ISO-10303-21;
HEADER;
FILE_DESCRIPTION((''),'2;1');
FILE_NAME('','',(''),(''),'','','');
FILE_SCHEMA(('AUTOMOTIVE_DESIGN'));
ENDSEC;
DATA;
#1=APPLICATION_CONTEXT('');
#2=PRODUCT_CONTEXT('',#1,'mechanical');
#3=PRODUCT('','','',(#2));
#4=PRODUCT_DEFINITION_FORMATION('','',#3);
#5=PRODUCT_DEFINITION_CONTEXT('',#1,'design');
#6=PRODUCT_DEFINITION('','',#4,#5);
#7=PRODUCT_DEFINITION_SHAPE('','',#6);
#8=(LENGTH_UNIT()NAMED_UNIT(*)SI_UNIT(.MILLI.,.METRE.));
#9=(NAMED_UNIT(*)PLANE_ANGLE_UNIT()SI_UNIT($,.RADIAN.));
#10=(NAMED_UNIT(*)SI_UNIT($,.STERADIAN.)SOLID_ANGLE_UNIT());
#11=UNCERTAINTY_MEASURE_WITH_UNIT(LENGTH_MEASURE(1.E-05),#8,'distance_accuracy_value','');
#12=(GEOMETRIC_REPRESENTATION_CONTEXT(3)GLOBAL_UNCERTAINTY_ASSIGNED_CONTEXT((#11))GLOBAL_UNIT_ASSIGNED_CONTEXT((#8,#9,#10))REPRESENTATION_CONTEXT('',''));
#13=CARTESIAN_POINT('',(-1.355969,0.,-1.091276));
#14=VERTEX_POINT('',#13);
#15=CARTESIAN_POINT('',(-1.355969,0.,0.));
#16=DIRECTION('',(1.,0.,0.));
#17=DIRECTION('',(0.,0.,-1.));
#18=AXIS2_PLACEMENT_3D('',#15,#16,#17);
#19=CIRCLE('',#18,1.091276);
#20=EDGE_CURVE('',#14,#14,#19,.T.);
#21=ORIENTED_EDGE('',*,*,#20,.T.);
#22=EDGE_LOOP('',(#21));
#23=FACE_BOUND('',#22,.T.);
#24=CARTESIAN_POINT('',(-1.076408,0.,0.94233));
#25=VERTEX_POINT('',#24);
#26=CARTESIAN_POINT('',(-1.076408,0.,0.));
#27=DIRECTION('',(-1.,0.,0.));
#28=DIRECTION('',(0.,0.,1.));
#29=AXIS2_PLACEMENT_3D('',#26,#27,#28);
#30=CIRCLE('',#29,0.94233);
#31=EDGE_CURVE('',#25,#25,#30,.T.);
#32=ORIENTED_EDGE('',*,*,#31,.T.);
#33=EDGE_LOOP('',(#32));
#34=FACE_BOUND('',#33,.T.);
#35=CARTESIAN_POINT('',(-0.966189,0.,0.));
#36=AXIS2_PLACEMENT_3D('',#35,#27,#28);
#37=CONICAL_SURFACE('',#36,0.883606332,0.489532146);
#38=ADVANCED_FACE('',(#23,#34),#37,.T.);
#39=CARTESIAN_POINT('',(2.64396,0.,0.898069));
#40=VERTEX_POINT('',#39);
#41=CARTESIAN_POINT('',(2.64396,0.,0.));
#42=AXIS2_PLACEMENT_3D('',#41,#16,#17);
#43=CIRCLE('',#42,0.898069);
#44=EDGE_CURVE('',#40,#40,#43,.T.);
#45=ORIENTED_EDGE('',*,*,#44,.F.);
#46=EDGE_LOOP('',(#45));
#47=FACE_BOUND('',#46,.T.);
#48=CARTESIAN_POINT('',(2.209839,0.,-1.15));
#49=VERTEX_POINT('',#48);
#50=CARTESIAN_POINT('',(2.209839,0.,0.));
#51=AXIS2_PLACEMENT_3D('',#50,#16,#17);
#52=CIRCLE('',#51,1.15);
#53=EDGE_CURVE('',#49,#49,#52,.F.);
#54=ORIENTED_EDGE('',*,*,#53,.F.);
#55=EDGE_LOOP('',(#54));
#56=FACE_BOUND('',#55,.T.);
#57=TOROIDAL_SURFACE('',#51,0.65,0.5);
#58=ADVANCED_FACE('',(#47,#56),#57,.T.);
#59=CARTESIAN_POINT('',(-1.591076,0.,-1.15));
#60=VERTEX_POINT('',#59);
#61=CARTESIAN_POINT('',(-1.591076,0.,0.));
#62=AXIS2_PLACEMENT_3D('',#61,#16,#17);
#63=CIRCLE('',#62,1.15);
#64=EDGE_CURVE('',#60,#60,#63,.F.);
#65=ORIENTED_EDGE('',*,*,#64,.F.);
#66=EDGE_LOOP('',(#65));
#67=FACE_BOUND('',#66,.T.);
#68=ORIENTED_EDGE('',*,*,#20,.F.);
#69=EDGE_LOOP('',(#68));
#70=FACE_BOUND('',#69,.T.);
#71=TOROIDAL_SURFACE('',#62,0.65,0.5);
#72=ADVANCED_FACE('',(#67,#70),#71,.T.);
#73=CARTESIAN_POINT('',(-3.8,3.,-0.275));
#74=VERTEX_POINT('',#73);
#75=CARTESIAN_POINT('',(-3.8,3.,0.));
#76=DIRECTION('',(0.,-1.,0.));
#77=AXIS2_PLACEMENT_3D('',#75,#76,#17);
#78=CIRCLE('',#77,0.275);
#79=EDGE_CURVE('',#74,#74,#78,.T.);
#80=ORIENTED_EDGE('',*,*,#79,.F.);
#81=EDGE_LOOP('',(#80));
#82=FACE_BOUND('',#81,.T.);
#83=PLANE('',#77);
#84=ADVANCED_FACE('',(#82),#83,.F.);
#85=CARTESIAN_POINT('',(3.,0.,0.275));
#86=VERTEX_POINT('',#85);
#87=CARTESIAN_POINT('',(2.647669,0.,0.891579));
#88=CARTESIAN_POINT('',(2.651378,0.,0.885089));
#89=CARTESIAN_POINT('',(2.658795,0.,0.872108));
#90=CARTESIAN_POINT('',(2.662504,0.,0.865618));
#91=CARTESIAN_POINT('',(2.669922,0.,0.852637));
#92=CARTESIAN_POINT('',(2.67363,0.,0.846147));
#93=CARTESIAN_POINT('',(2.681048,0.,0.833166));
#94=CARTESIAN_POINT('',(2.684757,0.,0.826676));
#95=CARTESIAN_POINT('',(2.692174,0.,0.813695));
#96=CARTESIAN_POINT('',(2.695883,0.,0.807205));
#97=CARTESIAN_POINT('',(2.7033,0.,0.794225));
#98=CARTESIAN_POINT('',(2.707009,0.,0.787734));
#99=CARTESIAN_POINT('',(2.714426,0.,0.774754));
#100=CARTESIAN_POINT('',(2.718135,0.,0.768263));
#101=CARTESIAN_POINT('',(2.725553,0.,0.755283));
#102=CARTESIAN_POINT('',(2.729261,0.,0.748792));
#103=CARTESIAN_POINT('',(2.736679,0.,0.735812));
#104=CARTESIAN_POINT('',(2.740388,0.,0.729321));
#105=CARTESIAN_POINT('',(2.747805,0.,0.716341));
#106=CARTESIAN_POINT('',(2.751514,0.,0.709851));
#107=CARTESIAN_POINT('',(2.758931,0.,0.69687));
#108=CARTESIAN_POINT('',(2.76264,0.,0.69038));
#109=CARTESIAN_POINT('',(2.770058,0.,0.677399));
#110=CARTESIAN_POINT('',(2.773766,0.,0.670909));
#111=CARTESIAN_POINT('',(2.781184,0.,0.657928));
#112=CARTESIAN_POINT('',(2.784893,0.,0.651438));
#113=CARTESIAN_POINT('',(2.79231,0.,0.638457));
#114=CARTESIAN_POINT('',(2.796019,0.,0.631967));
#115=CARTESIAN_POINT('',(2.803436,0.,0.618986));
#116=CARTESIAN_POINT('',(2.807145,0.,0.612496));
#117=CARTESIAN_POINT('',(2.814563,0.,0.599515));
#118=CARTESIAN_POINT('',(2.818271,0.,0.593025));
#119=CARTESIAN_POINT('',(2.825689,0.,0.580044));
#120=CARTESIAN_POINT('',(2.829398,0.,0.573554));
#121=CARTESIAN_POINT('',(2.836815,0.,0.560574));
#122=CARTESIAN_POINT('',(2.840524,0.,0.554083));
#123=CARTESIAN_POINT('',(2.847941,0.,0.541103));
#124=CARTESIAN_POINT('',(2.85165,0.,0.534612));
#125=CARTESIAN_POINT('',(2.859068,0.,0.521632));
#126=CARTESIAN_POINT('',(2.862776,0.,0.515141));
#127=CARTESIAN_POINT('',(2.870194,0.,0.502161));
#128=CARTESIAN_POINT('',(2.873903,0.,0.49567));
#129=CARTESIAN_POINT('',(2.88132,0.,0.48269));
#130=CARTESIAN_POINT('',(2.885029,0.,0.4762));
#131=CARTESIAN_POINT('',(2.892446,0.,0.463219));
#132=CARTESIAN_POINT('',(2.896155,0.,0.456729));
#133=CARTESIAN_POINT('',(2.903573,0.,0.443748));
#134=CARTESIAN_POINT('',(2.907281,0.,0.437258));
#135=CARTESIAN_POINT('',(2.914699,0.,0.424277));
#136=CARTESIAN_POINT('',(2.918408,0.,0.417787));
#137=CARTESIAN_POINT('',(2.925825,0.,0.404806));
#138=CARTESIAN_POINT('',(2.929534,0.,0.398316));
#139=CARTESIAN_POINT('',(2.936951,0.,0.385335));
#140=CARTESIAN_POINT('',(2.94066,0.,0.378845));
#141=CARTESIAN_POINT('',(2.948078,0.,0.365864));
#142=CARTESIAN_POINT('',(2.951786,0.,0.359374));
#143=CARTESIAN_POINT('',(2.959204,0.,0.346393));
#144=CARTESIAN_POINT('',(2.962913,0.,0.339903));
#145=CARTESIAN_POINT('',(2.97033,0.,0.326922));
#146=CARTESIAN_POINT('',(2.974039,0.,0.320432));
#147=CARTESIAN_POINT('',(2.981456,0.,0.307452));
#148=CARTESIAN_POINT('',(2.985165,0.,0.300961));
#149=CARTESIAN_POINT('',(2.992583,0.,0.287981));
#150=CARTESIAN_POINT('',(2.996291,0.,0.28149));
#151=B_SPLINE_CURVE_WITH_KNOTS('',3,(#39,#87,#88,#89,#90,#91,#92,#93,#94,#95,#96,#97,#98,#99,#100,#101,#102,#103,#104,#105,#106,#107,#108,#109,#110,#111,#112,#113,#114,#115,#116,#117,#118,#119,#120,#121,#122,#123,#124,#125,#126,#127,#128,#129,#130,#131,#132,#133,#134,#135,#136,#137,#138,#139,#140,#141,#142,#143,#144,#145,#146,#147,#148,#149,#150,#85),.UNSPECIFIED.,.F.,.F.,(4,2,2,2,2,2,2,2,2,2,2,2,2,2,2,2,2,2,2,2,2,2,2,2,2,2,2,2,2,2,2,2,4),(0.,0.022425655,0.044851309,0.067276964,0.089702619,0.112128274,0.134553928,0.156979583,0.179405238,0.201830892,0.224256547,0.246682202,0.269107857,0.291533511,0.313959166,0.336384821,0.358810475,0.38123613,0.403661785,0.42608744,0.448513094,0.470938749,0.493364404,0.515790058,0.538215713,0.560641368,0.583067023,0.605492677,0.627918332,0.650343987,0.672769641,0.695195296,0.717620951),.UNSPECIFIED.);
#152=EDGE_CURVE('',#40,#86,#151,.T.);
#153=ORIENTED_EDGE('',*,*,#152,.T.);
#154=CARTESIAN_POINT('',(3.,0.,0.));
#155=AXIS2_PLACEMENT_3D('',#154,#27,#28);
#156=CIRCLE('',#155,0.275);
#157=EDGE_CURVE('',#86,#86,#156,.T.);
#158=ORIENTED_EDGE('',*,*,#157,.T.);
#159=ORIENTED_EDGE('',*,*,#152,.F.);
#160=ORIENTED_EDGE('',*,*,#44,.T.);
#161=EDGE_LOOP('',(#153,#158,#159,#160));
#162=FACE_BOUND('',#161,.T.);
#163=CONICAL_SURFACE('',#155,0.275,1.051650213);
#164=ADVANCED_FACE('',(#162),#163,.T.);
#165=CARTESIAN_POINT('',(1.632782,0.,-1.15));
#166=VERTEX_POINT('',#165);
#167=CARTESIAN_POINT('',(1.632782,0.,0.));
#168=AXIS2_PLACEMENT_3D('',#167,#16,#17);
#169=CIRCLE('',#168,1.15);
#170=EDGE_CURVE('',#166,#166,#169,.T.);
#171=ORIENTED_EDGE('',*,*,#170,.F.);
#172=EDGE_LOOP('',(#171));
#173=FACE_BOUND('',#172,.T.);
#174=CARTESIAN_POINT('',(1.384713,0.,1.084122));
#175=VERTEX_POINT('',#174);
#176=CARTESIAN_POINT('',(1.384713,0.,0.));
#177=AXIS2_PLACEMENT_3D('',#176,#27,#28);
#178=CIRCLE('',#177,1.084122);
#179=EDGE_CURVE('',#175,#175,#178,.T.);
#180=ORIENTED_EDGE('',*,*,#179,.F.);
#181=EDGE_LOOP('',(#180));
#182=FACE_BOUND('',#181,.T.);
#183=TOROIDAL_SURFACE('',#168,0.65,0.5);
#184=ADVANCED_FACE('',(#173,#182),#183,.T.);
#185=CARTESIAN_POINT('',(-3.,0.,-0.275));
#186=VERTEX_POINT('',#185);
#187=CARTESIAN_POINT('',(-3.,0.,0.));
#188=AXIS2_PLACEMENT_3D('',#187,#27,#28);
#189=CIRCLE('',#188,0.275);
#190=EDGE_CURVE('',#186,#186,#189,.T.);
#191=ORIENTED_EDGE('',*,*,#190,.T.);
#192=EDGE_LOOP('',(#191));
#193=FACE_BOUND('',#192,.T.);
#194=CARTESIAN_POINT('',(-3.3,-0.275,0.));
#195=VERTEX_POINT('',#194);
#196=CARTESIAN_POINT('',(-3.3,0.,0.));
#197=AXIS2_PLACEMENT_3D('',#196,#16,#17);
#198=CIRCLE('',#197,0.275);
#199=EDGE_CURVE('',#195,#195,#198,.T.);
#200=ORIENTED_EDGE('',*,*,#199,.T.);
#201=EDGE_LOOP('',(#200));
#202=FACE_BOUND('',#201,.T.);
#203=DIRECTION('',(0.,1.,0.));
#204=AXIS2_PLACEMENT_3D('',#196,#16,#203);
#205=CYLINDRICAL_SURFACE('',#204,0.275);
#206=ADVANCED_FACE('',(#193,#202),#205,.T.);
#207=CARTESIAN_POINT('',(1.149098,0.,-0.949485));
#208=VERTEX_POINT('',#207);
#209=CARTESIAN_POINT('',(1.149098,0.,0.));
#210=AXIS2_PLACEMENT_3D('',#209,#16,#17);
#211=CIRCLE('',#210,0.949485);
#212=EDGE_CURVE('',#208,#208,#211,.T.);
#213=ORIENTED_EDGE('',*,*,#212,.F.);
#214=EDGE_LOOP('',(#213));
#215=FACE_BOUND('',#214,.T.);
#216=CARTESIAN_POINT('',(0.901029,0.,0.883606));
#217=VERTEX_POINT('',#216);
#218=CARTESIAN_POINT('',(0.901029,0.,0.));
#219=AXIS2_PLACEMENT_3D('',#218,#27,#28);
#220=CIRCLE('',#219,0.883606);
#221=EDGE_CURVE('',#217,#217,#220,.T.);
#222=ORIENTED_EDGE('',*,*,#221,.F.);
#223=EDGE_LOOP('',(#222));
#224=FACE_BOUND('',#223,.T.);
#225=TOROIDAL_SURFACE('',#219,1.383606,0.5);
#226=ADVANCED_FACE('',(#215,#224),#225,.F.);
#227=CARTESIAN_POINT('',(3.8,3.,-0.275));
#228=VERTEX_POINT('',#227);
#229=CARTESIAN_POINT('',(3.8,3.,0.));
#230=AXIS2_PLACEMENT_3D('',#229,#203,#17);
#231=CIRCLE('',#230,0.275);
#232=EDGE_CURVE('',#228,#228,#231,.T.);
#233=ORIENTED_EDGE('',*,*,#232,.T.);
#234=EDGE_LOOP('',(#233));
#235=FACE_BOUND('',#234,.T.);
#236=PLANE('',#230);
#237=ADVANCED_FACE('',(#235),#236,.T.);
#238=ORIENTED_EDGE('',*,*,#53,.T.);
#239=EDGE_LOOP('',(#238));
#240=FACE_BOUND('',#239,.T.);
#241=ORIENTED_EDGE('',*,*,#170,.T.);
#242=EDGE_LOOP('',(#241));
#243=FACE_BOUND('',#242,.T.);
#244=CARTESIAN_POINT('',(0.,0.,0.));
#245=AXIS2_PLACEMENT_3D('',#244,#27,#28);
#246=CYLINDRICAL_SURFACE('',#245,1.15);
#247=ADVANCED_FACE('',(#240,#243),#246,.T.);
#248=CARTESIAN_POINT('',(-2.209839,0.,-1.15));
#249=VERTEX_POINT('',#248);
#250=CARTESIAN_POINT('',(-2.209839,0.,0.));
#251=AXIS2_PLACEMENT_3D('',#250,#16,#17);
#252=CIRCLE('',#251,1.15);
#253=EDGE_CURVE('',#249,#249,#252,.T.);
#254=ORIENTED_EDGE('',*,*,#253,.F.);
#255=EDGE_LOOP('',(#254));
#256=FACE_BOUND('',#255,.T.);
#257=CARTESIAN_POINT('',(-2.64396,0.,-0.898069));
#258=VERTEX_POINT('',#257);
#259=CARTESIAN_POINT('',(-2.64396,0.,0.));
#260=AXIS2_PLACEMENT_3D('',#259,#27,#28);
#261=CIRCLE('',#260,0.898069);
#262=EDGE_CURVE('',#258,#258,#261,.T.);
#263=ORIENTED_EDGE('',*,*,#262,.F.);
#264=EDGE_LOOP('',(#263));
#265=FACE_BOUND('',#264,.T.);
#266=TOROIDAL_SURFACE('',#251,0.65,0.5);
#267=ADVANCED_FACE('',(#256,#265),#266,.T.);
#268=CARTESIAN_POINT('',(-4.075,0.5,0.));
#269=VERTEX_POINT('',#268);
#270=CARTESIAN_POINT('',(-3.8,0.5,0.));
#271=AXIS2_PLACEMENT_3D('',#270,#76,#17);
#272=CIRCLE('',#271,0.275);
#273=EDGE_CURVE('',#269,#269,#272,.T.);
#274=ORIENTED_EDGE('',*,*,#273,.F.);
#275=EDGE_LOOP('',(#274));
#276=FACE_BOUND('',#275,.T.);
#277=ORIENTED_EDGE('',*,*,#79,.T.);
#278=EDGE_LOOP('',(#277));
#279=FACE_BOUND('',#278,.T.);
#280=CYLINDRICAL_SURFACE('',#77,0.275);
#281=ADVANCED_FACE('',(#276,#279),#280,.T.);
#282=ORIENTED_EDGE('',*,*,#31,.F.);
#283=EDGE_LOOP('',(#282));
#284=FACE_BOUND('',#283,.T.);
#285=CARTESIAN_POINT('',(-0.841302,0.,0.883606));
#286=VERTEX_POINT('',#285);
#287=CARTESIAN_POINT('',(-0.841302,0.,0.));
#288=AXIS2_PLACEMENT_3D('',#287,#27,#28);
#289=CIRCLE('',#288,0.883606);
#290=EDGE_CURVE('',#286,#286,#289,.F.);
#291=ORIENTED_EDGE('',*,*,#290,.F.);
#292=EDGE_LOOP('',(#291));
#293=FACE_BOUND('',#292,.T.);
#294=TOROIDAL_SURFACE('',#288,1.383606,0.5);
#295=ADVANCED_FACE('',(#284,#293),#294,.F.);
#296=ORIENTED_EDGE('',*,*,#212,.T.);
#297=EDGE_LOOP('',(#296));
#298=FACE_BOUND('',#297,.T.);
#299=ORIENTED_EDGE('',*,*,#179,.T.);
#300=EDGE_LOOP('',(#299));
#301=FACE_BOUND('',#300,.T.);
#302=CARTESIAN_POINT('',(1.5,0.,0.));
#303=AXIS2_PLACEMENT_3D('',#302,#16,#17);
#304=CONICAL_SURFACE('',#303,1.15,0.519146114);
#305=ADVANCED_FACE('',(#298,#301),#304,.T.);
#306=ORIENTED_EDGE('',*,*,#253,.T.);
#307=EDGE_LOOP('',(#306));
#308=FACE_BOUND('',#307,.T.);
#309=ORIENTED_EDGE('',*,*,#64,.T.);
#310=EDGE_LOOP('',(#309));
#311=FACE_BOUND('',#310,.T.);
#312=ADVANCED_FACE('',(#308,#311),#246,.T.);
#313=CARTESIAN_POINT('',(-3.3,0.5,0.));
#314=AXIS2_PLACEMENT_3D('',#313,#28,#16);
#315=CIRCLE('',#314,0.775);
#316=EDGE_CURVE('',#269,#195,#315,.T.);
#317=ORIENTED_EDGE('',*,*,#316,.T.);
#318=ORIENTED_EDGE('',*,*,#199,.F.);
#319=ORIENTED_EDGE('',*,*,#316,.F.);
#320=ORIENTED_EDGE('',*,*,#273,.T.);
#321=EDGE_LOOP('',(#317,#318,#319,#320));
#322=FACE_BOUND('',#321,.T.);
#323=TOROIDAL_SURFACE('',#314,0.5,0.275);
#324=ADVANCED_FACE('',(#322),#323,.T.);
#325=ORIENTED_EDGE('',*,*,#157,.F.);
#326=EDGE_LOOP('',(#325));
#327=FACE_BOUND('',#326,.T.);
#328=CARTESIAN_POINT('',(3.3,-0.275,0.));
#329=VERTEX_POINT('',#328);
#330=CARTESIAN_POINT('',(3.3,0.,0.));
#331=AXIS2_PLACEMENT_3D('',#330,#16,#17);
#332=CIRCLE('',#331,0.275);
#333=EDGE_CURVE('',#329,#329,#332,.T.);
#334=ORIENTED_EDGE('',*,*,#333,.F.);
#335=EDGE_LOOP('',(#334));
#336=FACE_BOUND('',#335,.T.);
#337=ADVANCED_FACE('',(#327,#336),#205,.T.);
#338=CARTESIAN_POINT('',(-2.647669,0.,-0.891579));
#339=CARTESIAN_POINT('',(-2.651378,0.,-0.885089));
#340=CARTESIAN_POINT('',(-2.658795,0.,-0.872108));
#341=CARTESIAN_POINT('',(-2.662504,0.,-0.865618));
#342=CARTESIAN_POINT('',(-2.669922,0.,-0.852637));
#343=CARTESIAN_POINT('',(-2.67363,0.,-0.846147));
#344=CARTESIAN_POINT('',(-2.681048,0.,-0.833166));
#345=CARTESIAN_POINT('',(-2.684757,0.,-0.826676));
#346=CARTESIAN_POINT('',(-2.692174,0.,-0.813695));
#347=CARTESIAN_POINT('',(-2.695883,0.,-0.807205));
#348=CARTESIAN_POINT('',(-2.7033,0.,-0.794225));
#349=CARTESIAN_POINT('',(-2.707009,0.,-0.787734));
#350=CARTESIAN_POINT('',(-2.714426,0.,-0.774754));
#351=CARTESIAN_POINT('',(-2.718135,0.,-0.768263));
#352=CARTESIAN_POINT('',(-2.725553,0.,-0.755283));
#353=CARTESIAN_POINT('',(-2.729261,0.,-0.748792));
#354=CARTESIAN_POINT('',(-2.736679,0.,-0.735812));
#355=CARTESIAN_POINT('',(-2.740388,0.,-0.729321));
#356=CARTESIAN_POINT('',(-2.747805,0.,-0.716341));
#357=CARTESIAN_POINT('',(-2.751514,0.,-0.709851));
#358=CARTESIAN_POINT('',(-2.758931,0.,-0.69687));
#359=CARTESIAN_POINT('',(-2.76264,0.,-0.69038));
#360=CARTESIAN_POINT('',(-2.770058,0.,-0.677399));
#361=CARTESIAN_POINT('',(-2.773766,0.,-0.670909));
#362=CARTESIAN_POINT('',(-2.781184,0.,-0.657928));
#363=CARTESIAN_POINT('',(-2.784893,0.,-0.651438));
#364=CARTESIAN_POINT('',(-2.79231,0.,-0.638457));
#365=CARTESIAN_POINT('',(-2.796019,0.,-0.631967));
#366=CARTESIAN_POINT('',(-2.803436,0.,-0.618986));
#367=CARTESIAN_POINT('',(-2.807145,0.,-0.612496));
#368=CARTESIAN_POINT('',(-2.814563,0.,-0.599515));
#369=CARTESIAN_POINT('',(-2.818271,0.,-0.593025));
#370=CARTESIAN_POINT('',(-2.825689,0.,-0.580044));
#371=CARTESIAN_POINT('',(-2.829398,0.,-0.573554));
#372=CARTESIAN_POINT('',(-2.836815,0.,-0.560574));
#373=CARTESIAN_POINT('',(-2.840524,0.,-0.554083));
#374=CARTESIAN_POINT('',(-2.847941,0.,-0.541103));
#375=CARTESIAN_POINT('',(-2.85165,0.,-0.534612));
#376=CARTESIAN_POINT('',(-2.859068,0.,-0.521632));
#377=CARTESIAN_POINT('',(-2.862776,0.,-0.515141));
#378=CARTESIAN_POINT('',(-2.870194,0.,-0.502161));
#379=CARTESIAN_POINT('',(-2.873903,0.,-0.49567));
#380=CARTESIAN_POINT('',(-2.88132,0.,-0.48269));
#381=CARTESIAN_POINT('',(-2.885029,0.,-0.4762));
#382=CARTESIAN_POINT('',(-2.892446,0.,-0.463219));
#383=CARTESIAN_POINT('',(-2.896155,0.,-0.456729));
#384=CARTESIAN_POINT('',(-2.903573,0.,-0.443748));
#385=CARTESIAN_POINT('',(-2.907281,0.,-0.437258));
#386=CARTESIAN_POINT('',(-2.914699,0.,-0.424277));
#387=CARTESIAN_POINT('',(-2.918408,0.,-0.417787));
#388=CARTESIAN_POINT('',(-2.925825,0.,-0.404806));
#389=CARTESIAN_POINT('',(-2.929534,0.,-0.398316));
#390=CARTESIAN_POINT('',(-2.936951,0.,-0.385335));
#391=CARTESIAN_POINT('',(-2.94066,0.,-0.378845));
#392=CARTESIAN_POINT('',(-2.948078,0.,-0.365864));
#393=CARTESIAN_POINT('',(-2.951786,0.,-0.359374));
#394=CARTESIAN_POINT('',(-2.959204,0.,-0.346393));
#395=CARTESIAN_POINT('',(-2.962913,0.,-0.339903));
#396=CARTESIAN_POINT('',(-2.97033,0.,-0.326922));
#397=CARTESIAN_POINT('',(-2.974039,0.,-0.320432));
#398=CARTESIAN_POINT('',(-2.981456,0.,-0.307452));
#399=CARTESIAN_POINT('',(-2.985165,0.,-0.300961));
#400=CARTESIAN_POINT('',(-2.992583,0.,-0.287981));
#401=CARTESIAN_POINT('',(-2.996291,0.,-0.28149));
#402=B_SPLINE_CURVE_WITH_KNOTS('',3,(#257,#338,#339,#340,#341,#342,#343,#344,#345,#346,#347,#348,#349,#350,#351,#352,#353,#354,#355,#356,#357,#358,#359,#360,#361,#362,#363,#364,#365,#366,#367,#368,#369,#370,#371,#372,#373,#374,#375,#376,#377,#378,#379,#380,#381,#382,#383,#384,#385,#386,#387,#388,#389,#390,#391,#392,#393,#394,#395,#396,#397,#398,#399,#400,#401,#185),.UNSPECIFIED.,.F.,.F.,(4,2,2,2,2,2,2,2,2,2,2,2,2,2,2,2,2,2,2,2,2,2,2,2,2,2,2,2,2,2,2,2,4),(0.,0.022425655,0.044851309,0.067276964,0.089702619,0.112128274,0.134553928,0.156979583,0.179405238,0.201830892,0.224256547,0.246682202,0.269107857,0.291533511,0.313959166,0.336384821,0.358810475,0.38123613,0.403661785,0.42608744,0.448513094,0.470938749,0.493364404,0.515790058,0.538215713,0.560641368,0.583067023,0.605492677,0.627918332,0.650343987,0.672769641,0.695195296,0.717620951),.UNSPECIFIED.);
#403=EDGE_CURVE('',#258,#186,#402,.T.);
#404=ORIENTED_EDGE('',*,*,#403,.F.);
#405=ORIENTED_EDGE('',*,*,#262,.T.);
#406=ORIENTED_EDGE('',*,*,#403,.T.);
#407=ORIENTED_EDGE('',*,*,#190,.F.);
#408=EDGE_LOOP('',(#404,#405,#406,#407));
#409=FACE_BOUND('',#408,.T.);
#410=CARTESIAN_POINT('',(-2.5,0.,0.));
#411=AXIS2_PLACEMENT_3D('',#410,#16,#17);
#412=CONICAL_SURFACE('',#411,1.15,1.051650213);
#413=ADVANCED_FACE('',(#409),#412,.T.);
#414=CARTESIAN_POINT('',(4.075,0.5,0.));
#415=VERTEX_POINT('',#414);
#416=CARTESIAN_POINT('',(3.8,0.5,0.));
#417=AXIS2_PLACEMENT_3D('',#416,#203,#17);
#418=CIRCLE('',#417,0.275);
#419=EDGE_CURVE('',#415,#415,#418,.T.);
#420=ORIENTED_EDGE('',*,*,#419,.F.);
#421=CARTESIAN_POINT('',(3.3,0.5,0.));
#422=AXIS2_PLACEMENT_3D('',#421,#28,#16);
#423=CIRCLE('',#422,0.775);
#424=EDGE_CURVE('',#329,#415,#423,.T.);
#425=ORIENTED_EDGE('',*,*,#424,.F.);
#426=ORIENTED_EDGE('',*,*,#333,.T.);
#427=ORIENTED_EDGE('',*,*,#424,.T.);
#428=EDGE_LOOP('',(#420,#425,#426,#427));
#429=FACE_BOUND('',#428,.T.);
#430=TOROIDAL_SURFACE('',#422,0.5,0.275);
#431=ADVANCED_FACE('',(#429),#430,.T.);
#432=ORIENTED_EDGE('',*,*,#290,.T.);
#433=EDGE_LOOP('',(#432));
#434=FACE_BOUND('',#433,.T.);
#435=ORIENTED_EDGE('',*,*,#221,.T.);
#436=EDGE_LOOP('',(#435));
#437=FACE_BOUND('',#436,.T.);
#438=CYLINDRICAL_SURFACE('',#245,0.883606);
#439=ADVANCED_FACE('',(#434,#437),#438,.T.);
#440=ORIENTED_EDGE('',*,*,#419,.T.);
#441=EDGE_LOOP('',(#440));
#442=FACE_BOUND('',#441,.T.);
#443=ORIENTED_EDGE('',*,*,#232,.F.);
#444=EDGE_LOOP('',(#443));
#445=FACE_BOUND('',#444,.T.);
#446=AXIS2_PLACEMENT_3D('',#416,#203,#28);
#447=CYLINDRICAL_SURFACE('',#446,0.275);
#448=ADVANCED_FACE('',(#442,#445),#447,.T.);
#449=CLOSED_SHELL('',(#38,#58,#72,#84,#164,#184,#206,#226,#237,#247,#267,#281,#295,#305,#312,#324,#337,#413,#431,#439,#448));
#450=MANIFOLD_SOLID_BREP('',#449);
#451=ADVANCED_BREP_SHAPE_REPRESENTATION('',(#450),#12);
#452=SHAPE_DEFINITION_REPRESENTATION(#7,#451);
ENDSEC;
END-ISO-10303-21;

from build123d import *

# Parameters (mm, degrees)
FILLET1_R = 0.5
SKETCH4_R = 0.275


with BuildPart() as part:
    # Sketch1 → Revolve1 (revolve)
    with BuildSketch(Plane.XY, mode=Mode.PRIVATE) as revolve1_sk:
        Polygon((0, 0), (3, 0), (3, 0.275), (2.5, 1.15), (1.5, 1.15), (1.03381108, 0.883606332), (-0.96618892, 0.883606332), (-1.46618892, 1.15), (-2.5, 1.15), (-3, 0.275), (-3, 0), align=None)
    revolve(revolve1_sk.sketch.rotate(Axis((0, 0, 0), (1, 0, 0)), 90), axis=Axis((0, 0, 0), (1, 0, 0)))

    # Fillet1
    fillet1_edges = [part.edges().sort_by_distance(p)[0] for p in [
        (1.5, 0, -1.15),
        (2.5, 0, -1.15),
        (-2.5, 0, -1.15),
        (-1.46618892, 0, -1.15),
        (-0.96618892, 0, -0.883606332),
        (1.03381108, 0, -0.883606332),
    ]]
    fillet(fillet1_edges, radius=FILLET1_R)

    # Sweep1: sweep along a path in Sketch6
    with BuildLine(Plane.XY) as sweep1_path:
        Line((3.8, 3), (3.8, 0.5))
        ThreePointArc((3.8, 0.5), (3.653553391, 0.146446609), (3.3, 0))
        Line((3.3, 0), (3, 0))
        Line((3, 0), (-3.3, 0))
        ThreePointArc((-3.3, 0), (-3.653553391, 0.146446609), (-3.8, 0.5))
        Line((-3.8, 0.5), (-3.8, 3))
    # Sketch4 → Sweep1 (sweep)
    with BuildSketch(Plane(origin=(3, 0, 0), x_dir=(0, 0, -1), z_dir=(1, 0, 0))):
        Circle(SKETCH4_R)
    sweep(path=sweep1_path.line)


solid = part.part
